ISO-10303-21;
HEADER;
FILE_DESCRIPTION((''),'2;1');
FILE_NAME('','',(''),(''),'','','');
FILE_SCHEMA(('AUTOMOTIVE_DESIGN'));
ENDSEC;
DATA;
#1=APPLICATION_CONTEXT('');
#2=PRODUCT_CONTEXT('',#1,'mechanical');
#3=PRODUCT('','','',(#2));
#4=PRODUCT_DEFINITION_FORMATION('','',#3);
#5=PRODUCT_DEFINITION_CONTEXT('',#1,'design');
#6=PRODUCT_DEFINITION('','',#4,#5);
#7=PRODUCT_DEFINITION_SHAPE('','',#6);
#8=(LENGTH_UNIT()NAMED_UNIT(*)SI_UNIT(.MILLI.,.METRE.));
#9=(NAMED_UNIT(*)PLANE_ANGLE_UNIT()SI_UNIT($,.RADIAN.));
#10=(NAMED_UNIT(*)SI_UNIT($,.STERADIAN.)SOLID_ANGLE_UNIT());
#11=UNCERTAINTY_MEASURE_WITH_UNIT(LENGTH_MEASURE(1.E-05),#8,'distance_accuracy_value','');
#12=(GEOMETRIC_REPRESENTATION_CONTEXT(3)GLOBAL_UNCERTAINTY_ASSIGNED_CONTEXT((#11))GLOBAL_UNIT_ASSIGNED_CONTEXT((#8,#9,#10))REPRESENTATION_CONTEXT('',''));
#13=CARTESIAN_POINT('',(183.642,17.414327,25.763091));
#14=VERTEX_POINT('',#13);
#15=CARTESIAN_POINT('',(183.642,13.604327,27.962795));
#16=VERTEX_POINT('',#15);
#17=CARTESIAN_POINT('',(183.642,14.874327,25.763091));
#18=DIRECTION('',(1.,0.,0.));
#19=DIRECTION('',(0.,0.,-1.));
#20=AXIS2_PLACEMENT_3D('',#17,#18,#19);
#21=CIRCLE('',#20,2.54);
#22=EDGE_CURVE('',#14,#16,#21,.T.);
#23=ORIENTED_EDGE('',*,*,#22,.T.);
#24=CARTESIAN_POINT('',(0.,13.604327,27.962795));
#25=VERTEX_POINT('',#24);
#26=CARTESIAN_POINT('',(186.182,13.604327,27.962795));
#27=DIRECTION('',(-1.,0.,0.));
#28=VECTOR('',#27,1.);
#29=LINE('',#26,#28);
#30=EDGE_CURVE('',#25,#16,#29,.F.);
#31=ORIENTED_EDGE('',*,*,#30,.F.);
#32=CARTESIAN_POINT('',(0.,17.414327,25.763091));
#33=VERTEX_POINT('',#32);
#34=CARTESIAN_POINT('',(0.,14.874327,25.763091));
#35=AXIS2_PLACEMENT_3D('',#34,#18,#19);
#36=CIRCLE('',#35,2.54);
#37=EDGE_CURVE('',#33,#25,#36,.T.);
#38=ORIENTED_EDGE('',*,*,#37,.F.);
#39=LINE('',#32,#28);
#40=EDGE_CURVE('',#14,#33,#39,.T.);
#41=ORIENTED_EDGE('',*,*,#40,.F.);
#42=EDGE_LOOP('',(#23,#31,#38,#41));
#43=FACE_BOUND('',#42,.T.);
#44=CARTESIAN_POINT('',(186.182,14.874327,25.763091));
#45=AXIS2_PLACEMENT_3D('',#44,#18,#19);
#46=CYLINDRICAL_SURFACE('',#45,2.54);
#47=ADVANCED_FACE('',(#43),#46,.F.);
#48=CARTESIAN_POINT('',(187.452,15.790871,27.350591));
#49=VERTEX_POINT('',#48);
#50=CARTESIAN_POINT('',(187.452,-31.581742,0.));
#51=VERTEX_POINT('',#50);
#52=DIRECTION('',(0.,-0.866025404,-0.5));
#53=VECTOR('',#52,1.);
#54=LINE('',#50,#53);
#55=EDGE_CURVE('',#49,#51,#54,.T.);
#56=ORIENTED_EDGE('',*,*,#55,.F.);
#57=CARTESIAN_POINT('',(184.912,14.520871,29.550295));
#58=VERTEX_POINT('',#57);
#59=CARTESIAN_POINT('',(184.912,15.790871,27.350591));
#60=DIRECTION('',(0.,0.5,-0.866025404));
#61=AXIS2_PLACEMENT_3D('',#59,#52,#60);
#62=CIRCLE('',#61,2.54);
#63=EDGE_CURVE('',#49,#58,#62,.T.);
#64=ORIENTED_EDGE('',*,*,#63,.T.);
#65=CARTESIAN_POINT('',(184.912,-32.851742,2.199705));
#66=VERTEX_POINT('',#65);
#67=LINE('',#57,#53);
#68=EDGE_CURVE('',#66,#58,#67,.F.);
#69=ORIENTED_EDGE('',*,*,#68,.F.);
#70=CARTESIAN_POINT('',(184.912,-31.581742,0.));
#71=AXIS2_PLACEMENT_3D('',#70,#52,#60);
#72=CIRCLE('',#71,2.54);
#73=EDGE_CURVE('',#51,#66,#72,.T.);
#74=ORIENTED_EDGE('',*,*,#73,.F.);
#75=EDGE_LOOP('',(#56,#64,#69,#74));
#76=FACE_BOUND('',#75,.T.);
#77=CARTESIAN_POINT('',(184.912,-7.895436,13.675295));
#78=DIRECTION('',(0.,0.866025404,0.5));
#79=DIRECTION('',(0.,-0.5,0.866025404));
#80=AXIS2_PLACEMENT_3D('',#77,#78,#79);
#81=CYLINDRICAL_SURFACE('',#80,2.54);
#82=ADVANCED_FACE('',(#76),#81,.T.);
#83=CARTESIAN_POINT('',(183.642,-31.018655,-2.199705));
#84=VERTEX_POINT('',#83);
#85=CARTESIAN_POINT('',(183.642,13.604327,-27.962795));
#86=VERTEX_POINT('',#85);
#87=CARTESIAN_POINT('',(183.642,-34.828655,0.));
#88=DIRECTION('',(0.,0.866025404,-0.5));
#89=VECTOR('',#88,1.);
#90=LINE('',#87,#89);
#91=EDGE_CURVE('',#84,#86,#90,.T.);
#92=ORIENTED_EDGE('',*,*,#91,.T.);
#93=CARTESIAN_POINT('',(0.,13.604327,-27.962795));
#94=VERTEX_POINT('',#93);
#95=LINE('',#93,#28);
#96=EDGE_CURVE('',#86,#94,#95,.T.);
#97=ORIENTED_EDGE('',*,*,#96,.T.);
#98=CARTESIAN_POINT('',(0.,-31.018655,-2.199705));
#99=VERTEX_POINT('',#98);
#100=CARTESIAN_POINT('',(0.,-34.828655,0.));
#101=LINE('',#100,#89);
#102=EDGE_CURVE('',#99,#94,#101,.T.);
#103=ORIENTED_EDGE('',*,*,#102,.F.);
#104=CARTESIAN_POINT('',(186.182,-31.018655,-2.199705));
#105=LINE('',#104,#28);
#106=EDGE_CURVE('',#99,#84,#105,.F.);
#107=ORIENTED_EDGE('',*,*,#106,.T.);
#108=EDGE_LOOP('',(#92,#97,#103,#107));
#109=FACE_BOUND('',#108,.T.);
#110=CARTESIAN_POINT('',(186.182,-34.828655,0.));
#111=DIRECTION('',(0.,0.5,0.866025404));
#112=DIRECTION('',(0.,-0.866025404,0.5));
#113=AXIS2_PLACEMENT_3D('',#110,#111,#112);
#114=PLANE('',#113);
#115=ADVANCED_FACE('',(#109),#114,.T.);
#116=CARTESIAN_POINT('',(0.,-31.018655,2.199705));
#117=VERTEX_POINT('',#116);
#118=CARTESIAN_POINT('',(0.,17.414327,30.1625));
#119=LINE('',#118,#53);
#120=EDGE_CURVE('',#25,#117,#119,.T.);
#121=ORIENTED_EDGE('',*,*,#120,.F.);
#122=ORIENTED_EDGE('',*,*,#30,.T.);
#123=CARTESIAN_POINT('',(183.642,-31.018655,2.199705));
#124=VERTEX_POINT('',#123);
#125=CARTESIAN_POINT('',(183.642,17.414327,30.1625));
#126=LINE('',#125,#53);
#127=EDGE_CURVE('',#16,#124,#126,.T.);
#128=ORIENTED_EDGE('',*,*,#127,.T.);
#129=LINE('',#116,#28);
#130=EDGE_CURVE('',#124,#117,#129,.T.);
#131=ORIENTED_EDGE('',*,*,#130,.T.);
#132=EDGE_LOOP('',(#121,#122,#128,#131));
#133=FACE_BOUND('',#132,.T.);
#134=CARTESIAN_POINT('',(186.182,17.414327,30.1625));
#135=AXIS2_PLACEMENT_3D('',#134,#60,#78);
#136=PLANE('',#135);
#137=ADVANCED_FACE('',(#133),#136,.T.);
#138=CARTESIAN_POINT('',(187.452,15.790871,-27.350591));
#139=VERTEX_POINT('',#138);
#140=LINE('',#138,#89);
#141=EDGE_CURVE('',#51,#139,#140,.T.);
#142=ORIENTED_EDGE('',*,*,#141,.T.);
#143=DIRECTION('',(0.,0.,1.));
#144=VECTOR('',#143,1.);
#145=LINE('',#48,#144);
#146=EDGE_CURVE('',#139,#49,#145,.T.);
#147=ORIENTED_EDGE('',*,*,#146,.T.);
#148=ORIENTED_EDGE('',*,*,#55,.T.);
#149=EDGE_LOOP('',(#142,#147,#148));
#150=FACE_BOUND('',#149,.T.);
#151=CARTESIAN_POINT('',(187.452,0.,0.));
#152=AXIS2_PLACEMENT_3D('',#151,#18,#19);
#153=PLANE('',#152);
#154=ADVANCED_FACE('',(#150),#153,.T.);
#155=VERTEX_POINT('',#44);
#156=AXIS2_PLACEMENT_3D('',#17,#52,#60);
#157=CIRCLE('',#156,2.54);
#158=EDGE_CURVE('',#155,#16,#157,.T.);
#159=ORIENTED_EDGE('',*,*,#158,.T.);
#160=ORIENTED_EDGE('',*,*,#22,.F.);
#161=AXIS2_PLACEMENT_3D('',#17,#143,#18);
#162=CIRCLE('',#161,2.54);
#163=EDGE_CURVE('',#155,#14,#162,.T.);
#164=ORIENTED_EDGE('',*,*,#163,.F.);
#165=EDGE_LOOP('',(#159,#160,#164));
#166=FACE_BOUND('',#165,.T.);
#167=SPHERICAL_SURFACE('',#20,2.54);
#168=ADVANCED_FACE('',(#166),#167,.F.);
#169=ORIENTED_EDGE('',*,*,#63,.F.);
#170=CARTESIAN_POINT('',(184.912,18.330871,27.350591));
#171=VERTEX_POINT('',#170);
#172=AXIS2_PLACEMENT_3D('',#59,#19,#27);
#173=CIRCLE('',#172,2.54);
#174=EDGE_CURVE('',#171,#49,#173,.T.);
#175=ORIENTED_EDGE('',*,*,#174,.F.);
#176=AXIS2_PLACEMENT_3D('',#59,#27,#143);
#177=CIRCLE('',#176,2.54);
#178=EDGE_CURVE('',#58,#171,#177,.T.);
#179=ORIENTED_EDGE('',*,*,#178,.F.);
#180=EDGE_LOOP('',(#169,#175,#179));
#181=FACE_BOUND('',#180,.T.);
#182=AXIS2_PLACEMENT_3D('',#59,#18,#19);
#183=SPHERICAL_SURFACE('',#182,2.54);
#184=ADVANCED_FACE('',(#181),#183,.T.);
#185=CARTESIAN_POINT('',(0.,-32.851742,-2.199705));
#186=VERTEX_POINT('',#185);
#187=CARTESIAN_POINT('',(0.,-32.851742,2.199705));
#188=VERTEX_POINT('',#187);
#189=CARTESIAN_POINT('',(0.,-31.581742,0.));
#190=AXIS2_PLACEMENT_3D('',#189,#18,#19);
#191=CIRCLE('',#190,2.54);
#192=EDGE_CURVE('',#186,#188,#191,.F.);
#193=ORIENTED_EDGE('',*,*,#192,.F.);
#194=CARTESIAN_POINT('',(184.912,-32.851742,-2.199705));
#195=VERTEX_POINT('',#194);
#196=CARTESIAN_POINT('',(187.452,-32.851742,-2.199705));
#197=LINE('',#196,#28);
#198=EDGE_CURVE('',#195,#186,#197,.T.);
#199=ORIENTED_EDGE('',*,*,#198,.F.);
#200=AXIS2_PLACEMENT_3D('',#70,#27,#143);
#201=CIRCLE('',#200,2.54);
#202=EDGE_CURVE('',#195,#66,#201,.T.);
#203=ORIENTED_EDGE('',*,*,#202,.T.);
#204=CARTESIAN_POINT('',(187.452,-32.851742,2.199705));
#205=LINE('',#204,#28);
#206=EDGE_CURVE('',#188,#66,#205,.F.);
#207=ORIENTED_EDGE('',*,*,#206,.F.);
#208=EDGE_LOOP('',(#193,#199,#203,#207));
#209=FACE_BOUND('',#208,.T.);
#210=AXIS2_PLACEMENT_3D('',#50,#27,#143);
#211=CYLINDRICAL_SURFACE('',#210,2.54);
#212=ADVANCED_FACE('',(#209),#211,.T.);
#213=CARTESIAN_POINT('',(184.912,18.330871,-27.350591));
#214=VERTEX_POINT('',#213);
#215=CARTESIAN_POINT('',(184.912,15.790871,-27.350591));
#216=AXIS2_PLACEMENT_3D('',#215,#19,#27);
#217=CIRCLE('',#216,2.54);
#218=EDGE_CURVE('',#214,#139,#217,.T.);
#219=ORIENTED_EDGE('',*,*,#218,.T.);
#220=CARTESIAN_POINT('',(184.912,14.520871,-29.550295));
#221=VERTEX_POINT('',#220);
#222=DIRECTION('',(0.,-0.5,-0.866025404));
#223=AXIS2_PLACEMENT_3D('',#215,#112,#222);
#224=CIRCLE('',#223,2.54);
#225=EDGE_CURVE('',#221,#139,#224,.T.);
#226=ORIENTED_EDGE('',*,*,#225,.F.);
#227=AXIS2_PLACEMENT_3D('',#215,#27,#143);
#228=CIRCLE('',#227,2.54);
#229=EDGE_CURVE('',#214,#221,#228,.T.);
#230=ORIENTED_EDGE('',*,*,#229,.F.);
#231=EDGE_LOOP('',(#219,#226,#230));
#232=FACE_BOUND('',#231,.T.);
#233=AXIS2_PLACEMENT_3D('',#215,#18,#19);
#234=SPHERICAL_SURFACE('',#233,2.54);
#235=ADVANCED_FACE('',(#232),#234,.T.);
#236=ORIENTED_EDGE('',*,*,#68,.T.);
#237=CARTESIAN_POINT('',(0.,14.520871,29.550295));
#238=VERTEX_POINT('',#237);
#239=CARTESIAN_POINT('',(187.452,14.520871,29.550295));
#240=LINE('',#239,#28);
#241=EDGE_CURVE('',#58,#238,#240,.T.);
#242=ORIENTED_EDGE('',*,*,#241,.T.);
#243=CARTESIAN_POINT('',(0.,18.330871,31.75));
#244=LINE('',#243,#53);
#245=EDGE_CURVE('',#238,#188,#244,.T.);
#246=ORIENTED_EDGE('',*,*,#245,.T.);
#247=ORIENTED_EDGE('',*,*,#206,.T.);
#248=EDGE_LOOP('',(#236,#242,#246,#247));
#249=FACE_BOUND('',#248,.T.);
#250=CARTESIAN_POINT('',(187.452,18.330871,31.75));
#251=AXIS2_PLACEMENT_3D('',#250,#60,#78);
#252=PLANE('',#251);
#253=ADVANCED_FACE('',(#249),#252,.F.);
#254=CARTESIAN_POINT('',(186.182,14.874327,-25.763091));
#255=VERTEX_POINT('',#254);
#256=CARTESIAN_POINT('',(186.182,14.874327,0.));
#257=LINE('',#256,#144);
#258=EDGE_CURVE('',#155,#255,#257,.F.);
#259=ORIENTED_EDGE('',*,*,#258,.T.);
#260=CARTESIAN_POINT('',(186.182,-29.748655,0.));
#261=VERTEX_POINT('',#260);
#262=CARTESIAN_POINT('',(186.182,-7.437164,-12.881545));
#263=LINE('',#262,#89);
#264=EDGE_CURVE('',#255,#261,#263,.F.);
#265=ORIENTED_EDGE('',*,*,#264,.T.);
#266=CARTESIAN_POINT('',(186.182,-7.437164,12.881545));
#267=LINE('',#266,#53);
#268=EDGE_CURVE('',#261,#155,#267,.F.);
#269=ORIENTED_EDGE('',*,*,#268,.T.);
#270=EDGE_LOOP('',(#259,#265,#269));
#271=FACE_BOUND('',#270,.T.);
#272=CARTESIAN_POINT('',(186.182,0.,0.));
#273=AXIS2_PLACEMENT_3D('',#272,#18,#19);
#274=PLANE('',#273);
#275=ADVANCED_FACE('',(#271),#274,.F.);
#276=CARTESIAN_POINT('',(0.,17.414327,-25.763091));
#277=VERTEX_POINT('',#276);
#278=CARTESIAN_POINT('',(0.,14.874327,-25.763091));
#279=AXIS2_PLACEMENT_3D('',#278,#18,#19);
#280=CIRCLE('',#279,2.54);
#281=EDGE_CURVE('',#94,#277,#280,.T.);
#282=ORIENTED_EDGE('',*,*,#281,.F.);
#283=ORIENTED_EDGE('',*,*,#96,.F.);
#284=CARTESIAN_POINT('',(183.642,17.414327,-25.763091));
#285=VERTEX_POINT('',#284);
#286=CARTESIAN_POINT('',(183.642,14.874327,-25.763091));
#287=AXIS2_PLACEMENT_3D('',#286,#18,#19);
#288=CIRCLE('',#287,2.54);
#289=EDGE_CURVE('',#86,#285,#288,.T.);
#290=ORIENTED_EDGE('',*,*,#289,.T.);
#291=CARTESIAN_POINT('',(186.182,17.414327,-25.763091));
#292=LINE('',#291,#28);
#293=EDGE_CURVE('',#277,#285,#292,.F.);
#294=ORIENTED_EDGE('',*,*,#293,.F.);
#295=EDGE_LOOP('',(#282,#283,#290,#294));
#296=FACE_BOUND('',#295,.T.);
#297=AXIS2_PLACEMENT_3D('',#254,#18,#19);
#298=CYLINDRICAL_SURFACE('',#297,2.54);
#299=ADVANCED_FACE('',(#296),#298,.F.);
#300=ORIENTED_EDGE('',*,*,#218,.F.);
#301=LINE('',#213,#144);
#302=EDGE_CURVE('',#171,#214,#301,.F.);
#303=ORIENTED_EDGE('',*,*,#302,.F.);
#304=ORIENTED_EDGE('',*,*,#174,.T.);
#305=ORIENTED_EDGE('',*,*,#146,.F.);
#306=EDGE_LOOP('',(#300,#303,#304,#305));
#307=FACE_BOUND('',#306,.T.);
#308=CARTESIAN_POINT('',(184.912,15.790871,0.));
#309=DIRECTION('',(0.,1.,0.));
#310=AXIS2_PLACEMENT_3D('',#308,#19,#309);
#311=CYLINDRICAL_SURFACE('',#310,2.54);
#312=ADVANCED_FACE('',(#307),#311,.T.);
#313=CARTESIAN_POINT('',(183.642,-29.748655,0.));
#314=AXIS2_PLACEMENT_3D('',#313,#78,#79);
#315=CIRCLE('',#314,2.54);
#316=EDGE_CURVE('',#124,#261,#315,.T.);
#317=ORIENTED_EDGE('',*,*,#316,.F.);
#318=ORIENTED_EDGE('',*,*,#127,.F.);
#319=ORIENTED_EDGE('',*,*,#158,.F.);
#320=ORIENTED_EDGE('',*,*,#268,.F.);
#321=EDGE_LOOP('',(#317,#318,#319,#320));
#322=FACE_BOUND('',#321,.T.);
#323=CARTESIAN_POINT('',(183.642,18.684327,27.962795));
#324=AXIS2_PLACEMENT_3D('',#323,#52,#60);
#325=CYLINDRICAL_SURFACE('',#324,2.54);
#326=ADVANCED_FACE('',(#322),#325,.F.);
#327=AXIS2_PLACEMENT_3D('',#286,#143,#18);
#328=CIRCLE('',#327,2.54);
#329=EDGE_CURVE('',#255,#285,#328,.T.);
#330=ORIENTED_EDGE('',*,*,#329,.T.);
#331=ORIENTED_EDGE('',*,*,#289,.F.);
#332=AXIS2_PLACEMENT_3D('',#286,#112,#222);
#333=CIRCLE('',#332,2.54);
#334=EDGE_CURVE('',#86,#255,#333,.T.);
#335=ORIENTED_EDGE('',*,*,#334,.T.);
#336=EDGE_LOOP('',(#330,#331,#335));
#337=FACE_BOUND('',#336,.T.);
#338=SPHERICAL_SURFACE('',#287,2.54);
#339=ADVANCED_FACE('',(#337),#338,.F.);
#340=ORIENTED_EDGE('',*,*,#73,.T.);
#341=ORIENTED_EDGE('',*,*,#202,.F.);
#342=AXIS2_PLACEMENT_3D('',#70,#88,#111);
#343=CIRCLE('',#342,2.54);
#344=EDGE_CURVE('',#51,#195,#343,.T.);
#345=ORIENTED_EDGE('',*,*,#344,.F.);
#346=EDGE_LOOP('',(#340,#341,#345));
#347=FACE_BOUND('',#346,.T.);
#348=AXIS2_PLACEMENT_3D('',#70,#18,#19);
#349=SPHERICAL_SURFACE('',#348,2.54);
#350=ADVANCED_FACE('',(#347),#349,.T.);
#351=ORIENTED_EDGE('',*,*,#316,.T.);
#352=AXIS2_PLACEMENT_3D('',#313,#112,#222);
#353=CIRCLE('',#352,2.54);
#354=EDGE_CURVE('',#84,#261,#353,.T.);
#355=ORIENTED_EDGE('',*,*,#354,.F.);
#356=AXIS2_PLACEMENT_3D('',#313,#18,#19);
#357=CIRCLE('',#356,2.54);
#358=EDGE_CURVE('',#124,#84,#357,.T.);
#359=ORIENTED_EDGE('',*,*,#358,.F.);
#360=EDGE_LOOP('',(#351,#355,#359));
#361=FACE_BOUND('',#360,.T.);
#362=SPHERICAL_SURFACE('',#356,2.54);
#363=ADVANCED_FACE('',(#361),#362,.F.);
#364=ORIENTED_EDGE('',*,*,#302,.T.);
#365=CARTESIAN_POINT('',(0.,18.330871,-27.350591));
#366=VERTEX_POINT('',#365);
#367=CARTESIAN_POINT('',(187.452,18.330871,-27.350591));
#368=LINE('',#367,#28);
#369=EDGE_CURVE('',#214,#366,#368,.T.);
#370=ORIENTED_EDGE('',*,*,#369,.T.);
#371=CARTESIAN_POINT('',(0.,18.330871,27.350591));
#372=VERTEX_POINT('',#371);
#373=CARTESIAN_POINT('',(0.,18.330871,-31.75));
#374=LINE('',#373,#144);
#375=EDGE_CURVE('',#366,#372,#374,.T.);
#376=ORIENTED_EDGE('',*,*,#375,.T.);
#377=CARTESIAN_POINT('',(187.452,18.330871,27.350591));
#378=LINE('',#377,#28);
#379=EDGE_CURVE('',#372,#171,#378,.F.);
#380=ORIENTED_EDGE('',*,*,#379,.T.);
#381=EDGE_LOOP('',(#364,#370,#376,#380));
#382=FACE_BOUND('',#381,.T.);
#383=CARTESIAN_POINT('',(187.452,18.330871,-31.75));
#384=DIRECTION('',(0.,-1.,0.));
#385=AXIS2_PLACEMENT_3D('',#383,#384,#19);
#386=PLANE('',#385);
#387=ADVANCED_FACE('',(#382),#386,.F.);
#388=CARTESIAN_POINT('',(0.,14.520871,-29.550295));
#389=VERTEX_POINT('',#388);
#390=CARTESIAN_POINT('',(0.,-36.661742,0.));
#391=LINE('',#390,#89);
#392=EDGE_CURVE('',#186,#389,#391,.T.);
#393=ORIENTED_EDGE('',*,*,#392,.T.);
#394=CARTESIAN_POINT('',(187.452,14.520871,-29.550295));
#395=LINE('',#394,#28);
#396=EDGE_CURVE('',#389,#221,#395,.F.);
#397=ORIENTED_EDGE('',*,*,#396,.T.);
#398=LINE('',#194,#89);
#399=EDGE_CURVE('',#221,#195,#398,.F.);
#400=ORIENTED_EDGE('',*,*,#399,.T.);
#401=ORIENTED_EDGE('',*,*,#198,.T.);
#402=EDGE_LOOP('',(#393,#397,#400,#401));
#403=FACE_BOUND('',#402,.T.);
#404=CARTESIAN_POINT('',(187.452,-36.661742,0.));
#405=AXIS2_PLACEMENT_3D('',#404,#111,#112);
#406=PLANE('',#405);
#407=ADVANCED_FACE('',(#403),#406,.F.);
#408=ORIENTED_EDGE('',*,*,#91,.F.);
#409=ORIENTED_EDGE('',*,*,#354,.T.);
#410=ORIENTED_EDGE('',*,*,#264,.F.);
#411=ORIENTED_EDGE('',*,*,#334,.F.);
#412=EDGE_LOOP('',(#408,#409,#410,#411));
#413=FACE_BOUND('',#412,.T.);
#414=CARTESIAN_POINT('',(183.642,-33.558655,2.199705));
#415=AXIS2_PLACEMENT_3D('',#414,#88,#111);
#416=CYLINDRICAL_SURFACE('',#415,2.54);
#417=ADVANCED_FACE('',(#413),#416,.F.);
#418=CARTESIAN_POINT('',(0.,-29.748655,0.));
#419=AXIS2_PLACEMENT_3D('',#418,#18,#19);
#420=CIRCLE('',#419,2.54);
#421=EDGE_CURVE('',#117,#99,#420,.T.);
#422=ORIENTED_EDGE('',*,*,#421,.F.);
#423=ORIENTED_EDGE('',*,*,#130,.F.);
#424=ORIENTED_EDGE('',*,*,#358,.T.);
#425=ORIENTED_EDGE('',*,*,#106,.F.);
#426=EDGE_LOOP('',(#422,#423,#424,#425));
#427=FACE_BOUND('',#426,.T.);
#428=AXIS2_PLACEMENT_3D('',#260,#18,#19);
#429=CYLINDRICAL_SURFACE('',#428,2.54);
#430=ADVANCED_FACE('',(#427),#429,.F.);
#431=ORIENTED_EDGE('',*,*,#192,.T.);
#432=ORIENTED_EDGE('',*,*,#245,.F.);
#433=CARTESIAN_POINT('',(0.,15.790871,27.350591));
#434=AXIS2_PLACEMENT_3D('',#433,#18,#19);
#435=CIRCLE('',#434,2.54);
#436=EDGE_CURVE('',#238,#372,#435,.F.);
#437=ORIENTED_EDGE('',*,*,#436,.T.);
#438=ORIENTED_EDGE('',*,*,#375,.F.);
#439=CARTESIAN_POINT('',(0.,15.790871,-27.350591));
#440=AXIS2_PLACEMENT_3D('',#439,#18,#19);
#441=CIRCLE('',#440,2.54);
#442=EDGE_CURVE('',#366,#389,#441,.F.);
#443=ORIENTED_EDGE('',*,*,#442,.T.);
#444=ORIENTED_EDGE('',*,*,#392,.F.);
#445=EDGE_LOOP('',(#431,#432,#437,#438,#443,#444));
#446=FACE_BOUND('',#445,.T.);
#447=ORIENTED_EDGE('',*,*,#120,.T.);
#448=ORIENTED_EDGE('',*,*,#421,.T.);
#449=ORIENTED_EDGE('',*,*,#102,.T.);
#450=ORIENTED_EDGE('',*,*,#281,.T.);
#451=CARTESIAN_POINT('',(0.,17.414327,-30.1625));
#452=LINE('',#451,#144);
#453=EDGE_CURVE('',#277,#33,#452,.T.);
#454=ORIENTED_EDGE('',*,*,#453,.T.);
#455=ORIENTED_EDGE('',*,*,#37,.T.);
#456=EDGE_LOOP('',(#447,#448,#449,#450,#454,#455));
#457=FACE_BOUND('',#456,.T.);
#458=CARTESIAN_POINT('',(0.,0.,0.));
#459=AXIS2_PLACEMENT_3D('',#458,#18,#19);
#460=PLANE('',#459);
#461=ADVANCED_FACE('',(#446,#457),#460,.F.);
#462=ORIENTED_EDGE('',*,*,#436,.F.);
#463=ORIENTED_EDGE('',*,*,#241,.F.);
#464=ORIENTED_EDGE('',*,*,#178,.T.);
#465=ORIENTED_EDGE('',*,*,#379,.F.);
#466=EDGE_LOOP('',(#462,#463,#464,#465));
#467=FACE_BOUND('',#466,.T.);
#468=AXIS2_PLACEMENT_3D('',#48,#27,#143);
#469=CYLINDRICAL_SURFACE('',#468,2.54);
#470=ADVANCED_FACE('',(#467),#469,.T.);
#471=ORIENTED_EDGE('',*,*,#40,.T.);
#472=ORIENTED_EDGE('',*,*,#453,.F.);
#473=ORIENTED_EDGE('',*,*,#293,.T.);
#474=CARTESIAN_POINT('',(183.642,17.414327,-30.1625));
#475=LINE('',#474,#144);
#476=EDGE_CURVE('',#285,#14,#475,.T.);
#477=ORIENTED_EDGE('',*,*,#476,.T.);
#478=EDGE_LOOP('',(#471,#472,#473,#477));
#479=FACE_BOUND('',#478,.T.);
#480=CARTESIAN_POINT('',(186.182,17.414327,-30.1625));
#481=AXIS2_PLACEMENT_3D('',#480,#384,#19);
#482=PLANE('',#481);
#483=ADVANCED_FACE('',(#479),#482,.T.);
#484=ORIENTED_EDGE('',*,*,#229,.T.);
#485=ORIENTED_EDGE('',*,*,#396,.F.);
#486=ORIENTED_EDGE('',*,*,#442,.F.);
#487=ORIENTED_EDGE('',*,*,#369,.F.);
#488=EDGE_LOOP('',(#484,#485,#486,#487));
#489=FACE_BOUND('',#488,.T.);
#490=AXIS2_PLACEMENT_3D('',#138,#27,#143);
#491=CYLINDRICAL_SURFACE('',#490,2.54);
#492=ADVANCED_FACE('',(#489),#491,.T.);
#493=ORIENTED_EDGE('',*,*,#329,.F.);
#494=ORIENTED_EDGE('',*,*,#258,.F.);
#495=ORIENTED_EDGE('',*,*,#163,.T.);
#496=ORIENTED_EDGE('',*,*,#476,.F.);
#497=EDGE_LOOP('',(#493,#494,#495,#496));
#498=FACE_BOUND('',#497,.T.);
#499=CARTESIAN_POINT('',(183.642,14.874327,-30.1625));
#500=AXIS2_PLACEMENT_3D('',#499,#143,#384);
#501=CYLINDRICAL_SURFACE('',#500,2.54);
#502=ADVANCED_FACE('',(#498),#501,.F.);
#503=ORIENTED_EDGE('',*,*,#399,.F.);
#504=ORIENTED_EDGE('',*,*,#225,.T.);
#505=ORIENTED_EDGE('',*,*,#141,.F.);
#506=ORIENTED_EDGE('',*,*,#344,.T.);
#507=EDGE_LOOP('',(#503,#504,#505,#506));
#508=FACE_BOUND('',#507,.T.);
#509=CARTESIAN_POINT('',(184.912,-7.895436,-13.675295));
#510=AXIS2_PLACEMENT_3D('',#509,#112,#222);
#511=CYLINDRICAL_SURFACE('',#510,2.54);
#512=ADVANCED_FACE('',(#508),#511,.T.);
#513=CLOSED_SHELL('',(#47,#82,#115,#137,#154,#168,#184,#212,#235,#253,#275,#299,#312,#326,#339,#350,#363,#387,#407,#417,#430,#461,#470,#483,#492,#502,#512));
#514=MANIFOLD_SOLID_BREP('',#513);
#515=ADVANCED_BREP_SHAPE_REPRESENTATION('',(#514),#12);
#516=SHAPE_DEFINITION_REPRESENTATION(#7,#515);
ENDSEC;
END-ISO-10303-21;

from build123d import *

# Parameters (mm, degrees)
BOSS_EXTRUDE2_DEPTH = 187.452
CUT_EXTRUDE1_DEPTH  = 186.182
FILLET1_R           = 2.54
FILLET2_R           = 2.54


with BuildPart() as part:
    # Sketch2 → Boss-Extrude2 (new body)
    with BuildSketch(Plane(origin=(0, 0, 0), x_dir=(0, 0, -1), z_dir=(1, 0, 0))):
        Polygon((31.75, 18.330871047), (-31.75, 18.330871047), (0, -36.661742094), align=None)
    extrude(amount=BOSS_EXTRUDE2_DEPTH)

    # Sketch3 → Cut-Extrude1 (cut)
    with BuildSketch(Plane(origin=(0, 0, 0), x_dir=(0, 0, -1), z_dir=(1, 0, 0))):
        Polygon((30.1625, 17.414327494), (-30.1625, 17.414327494), (0, -34.828654989), align=None)
    extrude(amount=CUT_EXTRUDE1_DEPTH, mode=Mode.SUBTRACT)

    # Fillet1
    fillet1_edges = [part.edges().sort_by_distance(p)[0] for p in [
        (93.091, -34.828654989, 0),
        (93.091, 17.414327494, -30.1625),
        (93.091, 17.414327494, 30.1625),
        (93.726, -36.661742094, 0),
        (93.726, 18.330871047, 31.75),
        (93.726, 18.330871047, -31.75),
    ]]
    fillet(fillet1_edges, radius=FILLET1_R)

    # Fillet2
    fillet2_edges = [part.edges().sort_by_distance(p)[0] for p in [
        (186.182, -8.707163747, 15.08125),
        (186.182, -8.707163747, -15.08125),
        (186.182, 17.414327494, 0),
        (186.182, 16.144327494, -27.962795474),
        (186.182, 16.144327494, 27.962795474),
        (186.182, -32.288654989, 0),
        (187.452, -9.165435523, -15.875),
        (187.452, -9.165435523, 15.875),
        (187.452, 18.330871047, 0),
        (187.452, 17.060871047, -29.550295474),
        (187.452, 17.060871047, 29.550295474),
        (187.452, -34.121742094, 0),
    ]]
    fillet(fillet2_edges, radius=FILLET2_R)


solid = part.part
